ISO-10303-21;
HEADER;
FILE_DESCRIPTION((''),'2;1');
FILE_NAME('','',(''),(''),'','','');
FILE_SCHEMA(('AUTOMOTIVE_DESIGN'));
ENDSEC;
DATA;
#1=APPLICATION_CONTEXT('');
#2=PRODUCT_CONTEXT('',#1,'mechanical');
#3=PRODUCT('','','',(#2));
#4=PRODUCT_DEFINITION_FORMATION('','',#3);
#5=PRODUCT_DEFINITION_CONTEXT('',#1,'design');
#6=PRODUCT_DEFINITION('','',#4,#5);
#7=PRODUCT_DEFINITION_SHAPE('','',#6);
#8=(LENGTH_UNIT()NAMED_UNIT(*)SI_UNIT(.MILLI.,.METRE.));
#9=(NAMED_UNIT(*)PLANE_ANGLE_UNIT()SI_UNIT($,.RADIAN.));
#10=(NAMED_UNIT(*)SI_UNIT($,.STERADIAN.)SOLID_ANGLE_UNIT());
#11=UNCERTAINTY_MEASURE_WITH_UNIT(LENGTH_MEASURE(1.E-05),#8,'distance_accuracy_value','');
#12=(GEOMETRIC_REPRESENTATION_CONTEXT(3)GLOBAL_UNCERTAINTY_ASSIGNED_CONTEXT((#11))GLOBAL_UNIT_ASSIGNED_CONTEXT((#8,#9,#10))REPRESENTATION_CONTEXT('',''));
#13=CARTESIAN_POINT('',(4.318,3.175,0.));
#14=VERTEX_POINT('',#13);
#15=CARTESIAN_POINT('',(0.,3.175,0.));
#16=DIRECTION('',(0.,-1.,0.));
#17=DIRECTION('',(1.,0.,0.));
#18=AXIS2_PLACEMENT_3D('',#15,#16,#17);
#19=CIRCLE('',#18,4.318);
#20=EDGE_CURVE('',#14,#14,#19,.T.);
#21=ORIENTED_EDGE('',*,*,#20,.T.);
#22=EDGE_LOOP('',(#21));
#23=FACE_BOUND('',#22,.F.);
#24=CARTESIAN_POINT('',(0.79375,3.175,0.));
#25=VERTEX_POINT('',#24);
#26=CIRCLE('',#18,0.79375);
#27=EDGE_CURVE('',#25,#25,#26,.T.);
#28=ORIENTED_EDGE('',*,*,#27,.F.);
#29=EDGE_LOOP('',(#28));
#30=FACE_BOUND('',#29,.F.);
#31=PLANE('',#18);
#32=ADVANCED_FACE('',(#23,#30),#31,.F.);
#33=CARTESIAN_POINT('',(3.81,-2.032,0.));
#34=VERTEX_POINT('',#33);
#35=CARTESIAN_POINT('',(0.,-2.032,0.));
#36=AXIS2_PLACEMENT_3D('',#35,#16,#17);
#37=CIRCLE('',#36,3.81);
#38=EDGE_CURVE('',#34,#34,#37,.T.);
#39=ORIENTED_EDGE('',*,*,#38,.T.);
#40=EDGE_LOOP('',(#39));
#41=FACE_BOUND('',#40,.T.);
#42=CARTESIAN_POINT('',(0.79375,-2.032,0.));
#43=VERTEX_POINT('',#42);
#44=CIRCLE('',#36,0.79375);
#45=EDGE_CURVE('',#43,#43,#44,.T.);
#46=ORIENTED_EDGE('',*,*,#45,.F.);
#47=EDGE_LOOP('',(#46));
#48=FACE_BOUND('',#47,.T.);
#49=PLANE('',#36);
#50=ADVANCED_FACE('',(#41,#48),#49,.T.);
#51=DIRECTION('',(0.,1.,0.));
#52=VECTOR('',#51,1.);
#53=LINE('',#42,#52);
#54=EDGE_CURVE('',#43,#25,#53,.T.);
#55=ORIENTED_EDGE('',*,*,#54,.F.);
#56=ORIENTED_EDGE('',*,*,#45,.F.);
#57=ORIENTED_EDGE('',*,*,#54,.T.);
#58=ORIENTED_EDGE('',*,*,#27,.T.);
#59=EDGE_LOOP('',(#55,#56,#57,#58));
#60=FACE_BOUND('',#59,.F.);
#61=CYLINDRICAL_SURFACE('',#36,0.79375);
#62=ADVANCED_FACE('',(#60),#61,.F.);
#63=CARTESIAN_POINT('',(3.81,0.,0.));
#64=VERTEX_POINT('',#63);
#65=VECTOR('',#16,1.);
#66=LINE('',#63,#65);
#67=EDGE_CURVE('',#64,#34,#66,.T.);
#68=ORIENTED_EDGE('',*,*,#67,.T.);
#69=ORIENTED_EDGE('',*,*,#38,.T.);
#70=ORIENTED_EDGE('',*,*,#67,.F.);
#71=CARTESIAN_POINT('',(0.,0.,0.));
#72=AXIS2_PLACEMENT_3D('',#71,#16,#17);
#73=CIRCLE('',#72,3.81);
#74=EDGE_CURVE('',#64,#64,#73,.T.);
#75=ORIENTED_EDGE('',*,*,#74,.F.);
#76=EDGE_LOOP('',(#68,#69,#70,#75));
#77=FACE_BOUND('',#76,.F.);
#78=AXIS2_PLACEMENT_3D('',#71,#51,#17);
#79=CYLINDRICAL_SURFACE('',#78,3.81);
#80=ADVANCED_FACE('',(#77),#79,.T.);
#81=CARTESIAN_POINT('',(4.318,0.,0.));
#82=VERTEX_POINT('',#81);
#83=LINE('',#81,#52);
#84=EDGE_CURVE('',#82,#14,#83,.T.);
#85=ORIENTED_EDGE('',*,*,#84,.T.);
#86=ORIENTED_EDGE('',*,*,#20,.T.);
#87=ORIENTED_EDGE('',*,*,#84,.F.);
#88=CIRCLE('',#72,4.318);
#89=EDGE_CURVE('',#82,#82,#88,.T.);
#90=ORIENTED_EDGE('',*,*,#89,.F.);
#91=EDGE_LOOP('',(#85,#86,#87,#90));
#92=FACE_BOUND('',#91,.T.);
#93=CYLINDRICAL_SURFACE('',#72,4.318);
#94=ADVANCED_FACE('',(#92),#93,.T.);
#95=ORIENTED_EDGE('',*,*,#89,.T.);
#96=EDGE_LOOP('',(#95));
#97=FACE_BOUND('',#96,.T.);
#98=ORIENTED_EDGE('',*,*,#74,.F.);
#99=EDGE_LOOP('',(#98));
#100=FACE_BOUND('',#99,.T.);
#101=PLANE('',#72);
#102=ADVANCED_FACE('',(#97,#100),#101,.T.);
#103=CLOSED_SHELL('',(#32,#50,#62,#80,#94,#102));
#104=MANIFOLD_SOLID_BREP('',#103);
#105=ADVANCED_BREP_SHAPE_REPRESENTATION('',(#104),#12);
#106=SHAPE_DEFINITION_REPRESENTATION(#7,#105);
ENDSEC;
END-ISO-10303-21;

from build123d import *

# Parameters (mm, degrees)
F0_R     = 4.318
F1_DEPTH = 3.175
F2_R     = 3.81
F3_DEPTH = 2.032
F4_R     = 0.79375
F5_DEPTH = 5.208


with BuildPart() as f1:
    # F0 (on Front) → F1 (new body)
    with BuildSketch(Plane.XZ):
        Circle(F0_R)
    extrude(amount=-F1_DEPTH)

    # F2 (on face) → F3 (join)
    with BuildSketch(Plane.XZ):
        Circle(F2_R)
    extrude(amount=F3_DEPTH)

    # F4 (on face) → F5 (cut, through all)
    with BuildSketch(Plane.XZ.offset(2.032)):
        Circle(F4_R)
    extrude(amount=-F5_DEPTH, mode=Mode.SUBTRACT)


solid = f1.part
